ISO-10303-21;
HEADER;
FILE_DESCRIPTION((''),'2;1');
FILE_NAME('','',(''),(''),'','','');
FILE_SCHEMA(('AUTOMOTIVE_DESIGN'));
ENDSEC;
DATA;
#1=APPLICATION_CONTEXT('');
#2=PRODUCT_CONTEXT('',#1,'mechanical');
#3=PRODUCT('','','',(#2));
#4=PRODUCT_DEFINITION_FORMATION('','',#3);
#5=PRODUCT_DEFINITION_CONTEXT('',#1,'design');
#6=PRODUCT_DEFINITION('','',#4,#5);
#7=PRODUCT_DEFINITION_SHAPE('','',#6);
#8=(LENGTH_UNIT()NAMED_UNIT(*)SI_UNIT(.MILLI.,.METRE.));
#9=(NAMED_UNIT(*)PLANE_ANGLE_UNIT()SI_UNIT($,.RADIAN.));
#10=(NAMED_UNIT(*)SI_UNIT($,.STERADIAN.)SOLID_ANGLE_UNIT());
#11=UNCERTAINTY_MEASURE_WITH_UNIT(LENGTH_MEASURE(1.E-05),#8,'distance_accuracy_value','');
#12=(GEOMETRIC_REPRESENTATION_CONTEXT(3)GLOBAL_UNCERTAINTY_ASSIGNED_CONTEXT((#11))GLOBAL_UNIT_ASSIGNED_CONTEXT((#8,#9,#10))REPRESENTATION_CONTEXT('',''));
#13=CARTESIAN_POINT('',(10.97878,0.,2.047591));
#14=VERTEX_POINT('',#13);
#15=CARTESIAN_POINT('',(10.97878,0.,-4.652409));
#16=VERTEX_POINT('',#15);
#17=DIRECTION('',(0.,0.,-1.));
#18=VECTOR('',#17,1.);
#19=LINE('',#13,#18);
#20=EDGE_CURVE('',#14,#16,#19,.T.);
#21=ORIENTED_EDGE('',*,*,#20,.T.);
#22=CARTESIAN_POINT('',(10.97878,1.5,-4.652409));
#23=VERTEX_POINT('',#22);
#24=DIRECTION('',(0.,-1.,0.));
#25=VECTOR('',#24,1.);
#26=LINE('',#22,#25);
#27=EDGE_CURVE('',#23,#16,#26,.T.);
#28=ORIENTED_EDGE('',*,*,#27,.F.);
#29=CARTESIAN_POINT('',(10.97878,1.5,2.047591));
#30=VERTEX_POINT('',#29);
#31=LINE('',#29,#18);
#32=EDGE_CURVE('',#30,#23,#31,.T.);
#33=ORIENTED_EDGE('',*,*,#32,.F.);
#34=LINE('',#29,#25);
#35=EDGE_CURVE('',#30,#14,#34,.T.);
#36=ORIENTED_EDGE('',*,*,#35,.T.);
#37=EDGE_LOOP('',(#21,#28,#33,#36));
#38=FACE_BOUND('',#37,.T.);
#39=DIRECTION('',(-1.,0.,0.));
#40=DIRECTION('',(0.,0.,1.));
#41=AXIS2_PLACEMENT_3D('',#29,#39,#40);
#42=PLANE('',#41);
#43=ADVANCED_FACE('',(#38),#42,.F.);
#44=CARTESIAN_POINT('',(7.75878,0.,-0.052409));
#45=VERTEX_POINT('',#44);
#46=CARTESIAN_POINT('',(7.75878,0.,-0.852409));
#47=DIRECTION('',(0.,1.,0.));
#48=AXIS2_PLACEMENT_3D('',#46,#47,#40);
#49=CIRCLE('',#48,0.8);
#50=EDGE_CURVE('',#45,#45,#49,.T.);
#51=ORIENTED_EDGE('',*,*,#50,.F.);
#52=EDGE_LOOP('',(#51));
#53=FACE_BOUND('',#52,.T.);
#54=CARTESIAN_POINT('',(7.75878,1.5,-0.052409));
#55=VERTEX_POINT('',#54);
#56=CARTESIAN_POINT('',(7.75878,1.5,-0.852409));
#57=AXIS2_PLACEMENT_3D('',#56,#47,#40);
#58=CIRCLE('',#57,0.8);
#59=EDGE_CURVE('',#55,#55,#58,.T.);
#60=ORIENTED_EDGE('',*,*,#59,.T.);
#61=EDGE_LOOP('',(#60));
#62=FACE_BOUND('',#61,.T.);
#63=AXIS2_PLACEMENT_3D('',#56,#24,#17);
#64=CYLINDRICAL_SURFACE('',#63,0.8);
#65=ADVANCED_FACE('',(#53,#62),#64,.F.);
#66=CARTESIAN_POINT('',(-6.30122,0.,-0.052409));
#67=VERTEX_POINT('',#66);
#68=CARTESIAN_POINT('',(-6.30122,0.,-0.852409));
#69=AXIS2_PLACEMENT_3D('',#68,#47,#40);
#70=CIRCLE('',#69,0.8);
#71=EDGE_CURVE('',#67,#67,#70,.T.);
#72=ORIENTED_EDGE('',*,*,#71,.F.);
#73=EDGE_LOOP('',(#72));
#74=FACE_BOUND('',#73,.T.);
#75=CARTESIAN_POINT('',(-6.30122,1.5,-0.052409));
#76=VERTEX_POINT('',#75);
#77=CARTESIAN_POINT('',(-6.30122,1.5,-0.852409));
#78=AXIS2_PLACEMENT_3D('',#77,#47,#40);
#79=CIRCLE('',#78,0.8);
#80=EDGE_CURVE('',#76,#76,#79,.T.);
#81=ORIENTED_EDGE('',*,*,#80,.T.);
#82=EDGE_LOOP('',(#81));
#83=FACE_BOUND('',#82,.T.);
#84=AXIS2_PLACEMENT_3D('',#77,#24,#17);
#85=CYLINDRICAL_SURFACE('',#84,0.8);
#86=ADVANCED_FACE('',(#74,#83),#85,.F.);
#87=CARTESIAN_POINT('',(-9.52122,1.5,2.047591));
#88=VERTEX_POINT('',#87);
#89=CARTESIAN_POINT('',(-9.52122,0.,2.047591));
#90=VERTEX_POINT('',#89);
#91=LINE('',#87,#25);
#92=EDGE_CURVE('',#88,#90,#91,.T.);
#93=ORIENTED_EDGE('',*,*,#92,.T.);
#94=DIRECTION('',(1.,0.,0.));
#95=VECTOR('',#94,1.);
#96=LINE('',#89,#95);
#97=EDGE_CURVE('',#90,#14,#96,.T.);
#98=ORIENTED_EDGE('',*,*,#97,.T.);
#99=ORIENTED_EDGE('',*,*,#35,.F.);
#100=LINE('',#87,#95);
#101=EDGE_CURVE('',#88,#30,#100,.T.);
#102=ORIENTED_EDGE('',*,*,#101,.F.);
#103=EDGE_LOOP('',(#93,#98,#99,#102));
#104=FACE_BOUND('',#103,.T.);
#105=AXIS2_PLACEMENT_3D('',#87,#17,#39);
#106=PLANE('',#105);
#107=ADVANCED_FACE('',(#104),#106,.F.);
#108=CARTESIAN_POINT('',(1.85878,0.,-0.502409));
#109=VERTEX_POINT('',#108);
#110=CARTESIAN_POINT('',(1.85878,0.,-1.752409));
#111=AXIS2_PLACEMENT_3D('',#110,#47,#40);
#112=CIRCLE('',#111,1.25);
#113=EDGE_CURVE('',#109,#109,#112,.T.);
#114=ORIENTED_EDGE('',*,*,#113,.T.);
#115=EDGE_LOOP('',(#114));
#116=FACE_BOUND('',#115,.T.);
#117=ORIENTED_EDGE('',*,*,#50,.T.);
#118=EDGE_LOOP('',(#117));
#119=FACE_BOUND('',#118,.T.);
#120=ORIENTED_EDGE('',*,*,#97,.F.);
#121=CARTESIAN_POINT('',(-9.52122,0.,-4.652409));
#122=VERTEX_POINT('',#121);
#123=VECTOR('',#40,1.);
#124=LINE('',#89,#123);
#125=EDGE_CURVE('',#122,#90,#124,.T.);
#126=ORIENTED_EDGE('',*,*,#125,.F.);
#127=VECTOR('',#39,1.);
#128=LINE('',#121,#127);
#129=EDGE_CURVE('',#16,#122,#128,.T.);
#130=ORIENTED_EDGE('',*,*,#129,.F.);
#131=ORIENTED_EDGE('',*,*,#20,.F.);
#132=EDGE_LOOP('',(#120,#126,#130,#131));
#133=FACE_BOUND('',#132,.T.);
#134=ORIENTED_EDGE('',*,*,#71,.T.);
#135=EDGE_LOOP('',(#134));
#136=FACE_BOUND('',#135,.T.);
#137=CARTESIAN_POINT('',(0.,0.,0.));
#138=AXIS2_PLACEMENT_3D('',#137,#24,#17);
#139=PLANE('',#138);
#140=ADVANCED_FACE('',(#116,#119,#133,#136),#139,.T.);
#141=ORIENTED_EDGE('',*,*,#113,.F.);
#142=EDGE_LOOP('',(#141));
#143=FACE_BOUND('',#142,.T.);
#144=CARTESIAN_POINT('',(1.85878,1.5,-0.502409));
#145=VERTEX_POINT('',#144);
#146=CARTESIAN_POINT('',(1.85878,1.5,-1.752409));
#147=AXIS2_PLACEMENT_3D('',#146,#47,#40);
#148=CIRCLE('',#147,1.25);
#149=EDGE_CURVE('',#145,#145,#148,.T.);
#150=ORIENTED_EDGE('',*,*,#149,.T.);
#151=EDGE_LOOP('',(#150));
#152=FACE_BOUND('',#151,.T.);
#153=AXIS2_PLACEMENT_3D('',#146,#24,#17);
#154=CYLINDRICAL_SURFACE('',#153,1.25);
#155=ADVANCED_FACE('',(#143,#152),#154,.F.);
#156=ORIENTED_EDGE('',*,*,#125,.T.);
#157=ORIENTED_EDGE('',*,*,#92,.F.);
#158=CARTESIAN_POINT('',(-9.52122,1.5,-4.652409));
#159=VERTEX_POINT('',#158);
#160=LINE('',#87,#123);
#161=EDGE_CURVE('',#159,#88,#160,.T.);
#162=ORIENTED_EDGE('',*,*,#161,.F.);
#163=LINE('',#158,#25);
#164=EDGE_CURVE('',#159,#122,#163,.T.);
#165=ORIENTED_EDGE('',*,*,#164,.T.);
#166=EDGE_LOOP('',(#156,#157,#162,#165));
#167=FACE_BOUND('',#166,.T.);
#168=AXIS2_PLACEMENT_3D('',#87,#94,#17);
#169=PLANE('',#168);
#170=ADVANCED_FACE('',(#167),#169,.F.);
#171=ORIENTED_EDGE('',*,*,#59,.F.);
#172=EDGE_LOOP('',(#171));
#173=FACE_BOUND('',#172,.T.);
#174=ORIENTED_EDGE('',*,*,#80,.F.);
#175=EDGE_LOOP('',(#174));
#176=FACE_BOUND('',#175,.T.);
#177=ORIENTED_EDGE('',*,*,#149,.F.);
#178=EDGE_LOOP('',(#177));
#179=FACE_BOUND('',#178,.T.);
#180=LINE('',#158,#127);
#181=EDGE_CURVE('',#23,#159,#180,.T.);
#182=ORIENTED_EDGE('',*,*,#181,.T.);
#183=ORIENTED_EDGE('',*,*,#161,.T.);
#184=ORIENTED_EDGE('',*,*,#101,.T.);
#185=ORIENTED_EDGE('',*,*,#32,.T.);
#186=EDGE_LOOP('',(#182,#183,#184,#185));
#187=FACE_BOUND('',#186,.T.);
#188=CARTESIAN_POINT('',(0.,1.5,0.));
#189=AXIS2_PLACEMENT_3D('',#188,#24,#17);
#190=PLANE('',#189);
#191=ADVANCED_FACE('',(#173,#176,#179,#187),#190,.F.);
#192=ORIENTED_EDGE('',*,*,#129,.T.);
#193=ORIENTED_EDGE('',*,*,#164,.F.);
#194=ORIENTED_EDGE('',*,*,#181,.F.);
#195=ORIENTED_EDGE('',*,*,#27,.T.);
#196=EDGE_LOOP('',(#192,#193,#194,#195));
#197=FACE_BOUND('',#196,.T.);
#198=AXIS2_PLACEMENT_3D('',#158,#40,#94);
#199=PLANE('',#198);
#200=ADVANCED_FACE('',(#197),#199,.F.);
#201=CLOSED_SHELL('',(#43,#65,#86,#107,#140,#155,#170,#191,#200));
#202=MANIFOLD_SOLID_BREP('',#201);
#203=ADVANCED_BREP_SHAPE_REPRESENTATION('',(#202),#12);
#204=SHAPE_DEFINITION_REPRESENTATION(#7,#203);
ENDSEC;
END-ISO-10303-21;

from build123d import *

# Parameters (mm, degrees)
SKETCH1_W           = 20.5
SKETCH1_H           = 6.7
SKETCH1_R           = 0.8
SKETCH1_R_2         = 1.25
BOSS_EXTRUDE1_DEPTH = 1.5


with BuildPart() as part:
    # Sketch1 → Boss-Extrude1 (new body)
    with BuildSketch(Plane(origin=(0, 0, 0), x_dir=(1, 0, 0), z_dir=(0, 1, 0))):
        with Locations((0.728779623, 1.302409488)):
            Rectangle(SKETCH1_W, SKETCH1_H)
        with Locations(Location((-6.301220377, 0.852409488, 0), (0, 0, 270))):
            Circle(SKETCH1_R, mode=Mode.SUBTRACT)
        with Locations(Location((1.858779623, 1.752409488, 0), (0, 0, 270))):
            Circle(SKETCH1_R_2, mode=Mode.SUBTRACT)
        with Locations(Location((7.758779623, 0.852409488, 0), (0, 0, 270))):
            Circle(SKETCH1_R, mode=Mode.SUBTRACT)
    extrude(amount=BOSS_EXTRUDE1_DEPTH)


solid = part.part
